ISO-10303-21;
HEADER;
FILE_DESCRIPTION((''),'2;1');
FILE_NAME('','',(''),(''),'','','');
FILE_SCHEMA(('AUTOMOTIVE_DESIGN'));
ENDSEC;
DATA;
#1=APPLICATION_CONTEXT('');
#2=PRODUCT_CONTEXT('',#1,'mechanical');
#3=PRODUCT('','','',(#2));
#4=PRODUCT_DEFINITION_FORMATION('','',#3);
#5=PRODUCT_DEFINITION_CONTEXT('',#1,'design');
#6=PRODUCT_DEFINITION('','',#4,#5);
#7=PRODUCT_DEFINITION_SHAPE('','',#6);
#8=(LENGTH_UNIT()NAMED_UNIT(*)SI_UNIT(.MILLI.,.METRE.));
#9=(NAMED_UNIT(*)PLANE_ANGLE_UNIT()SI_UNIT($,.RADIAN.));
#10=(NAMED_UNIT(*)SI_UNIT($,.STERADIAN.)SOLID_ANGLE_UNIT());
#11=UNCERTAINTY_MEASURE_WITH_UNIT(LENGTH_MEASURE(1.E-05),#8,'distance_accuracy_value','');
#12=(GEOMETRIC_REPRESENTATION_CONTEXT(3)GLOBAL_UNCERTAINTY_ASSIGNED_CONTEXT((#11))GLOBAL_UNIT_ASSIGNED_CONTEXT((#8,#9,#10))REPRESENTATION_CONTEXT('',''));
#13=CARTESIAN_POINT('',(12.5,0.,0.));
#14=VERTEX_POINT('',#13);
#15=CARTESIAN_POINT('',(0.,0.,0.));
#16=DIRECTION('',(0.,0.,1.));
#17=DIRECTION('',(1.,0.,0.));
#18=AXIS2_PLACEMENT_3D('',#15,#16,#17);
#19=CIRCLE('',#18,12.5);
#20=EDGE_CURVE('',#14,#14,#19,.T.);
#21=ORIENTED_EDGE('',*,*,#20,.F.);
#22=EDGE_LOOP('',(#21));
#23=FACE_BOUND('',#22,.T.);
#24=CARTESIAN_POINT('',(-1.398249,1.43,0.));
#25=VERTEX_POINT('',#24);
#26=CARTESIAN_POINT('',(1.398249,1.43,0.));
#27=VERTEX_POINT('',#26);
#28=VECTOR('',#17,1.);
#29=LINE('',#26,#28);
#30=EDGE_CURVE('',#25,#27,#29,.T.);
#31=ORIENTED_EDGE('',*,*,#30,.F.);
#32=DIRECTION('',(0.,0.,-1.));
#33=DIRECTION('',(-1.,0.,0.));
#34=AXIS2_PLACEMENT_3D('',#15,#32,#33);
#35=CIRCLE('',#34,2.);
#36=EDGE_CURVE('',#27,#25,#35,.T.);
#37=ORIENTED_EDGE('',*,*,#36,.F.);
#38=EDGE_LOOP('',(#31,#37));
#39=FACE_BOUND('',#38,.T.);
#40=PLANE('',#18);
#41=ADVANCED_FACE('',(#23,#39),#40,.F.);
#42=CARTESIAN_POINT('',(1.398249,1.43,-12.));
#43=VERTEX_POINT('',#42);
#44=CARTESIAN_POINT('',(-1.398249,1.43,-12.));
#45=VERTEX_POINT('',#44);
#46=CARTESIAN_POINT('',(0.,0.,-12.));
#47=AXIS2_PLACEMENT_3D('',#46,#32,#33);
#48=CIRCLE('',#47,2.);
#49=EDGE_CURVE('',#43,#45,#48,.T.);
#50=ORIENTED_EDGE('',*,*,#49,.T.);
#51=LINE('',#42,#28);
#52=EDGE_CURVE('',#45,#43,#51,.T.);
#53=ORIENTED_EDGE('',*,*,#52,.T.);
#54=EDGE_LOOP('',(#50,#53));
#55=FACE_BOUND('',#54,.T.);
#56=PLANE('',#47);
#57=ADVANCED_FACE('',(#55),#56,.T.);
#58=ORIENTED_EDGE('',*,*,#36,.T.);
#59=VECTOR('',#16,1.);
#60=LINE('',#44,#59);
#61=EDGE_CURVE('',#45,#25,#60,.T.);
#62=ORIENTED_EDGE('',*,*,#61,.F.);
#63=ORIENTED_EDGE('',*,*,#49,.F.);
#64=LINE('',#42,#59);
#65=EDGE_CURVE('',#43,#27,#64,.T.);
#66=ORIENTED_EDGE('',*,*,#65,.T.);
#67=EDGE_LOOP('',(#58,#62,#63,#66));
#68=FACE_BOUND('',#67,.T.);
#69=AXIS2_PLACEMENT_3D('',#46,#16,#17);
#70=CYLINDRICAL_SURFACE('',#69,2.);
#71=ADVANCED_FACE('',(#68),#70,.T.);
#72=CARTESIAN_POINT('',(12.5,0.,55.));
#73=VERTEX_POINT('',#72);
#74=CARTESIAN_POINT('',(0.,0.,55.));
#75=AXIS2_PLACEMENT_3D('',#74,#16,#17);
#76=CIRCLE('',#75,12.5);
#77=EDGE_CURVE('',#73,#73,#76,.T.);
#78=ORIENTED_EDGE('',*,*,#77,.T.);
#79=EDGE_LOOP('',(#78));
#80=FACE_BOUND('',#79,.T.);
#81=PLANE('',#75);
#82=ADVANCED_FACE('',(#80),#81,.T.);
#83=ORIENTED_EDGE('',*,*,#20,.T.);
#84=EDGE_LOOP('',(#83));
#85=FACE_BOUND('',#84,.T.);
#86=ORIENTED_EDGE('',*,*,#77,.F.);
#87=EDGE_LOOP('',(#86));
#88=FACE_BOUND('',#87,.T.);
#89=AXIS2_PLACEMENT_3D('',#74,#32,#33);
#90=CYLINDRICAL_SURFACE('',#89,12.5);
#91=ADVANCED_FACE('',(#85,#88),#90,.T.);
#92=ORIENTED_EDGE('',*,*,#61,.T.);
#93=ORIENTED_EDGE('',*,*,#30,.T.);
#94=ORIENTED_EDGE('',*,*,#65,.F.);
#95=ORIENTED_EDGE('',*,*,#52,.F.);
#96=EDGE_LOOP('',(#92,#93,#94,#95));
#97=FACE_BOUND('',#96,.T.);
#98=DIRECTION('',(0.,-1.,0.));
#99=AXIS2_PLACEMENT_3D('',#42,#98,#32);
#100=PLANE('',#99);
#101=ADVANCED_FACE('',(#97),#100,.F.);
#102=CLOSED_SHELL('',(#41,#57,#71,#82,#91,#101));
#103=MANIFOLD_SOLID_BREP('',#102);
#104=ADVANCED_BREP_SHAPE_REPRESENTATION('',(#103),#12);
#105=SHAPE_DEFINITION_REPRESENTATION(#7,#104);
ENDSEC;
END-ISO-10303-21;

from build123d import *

# Parameters (mm, degrees)
SKETCH2_R           = 12.5
BOSS_EXTRUDE1_DEPTH = 55
BOSS_EXTRUDE2_DEPTH = 12


with BuildPart() as part:
    # Sketch2 → Boss-Extrude1 (new body)
    with BuildSketch(Plane.XY):
        Circle(SKETCH2_R)
    extrude(amount=BOSS_EXTRUDE1_DEPTH)

    # Sketch3 → Boss-Extrude2 (add)
    with BuildSketch(Plane(origin=(0, 0, 0), x_dir=(-1, 0, 0), z_dir=(0, 0, -1))):
        with BuildLine():
            Line((-1.398248905, 1.43), (1.398248905, 1.43))
            ThreePointArc((1.398248905, 1.43), (0, -2), (-1.398248905, 1.43))
        make_face()
    extrude(amount=BOSS_EXTRUDE2_DEPTH)


solid = part.part
